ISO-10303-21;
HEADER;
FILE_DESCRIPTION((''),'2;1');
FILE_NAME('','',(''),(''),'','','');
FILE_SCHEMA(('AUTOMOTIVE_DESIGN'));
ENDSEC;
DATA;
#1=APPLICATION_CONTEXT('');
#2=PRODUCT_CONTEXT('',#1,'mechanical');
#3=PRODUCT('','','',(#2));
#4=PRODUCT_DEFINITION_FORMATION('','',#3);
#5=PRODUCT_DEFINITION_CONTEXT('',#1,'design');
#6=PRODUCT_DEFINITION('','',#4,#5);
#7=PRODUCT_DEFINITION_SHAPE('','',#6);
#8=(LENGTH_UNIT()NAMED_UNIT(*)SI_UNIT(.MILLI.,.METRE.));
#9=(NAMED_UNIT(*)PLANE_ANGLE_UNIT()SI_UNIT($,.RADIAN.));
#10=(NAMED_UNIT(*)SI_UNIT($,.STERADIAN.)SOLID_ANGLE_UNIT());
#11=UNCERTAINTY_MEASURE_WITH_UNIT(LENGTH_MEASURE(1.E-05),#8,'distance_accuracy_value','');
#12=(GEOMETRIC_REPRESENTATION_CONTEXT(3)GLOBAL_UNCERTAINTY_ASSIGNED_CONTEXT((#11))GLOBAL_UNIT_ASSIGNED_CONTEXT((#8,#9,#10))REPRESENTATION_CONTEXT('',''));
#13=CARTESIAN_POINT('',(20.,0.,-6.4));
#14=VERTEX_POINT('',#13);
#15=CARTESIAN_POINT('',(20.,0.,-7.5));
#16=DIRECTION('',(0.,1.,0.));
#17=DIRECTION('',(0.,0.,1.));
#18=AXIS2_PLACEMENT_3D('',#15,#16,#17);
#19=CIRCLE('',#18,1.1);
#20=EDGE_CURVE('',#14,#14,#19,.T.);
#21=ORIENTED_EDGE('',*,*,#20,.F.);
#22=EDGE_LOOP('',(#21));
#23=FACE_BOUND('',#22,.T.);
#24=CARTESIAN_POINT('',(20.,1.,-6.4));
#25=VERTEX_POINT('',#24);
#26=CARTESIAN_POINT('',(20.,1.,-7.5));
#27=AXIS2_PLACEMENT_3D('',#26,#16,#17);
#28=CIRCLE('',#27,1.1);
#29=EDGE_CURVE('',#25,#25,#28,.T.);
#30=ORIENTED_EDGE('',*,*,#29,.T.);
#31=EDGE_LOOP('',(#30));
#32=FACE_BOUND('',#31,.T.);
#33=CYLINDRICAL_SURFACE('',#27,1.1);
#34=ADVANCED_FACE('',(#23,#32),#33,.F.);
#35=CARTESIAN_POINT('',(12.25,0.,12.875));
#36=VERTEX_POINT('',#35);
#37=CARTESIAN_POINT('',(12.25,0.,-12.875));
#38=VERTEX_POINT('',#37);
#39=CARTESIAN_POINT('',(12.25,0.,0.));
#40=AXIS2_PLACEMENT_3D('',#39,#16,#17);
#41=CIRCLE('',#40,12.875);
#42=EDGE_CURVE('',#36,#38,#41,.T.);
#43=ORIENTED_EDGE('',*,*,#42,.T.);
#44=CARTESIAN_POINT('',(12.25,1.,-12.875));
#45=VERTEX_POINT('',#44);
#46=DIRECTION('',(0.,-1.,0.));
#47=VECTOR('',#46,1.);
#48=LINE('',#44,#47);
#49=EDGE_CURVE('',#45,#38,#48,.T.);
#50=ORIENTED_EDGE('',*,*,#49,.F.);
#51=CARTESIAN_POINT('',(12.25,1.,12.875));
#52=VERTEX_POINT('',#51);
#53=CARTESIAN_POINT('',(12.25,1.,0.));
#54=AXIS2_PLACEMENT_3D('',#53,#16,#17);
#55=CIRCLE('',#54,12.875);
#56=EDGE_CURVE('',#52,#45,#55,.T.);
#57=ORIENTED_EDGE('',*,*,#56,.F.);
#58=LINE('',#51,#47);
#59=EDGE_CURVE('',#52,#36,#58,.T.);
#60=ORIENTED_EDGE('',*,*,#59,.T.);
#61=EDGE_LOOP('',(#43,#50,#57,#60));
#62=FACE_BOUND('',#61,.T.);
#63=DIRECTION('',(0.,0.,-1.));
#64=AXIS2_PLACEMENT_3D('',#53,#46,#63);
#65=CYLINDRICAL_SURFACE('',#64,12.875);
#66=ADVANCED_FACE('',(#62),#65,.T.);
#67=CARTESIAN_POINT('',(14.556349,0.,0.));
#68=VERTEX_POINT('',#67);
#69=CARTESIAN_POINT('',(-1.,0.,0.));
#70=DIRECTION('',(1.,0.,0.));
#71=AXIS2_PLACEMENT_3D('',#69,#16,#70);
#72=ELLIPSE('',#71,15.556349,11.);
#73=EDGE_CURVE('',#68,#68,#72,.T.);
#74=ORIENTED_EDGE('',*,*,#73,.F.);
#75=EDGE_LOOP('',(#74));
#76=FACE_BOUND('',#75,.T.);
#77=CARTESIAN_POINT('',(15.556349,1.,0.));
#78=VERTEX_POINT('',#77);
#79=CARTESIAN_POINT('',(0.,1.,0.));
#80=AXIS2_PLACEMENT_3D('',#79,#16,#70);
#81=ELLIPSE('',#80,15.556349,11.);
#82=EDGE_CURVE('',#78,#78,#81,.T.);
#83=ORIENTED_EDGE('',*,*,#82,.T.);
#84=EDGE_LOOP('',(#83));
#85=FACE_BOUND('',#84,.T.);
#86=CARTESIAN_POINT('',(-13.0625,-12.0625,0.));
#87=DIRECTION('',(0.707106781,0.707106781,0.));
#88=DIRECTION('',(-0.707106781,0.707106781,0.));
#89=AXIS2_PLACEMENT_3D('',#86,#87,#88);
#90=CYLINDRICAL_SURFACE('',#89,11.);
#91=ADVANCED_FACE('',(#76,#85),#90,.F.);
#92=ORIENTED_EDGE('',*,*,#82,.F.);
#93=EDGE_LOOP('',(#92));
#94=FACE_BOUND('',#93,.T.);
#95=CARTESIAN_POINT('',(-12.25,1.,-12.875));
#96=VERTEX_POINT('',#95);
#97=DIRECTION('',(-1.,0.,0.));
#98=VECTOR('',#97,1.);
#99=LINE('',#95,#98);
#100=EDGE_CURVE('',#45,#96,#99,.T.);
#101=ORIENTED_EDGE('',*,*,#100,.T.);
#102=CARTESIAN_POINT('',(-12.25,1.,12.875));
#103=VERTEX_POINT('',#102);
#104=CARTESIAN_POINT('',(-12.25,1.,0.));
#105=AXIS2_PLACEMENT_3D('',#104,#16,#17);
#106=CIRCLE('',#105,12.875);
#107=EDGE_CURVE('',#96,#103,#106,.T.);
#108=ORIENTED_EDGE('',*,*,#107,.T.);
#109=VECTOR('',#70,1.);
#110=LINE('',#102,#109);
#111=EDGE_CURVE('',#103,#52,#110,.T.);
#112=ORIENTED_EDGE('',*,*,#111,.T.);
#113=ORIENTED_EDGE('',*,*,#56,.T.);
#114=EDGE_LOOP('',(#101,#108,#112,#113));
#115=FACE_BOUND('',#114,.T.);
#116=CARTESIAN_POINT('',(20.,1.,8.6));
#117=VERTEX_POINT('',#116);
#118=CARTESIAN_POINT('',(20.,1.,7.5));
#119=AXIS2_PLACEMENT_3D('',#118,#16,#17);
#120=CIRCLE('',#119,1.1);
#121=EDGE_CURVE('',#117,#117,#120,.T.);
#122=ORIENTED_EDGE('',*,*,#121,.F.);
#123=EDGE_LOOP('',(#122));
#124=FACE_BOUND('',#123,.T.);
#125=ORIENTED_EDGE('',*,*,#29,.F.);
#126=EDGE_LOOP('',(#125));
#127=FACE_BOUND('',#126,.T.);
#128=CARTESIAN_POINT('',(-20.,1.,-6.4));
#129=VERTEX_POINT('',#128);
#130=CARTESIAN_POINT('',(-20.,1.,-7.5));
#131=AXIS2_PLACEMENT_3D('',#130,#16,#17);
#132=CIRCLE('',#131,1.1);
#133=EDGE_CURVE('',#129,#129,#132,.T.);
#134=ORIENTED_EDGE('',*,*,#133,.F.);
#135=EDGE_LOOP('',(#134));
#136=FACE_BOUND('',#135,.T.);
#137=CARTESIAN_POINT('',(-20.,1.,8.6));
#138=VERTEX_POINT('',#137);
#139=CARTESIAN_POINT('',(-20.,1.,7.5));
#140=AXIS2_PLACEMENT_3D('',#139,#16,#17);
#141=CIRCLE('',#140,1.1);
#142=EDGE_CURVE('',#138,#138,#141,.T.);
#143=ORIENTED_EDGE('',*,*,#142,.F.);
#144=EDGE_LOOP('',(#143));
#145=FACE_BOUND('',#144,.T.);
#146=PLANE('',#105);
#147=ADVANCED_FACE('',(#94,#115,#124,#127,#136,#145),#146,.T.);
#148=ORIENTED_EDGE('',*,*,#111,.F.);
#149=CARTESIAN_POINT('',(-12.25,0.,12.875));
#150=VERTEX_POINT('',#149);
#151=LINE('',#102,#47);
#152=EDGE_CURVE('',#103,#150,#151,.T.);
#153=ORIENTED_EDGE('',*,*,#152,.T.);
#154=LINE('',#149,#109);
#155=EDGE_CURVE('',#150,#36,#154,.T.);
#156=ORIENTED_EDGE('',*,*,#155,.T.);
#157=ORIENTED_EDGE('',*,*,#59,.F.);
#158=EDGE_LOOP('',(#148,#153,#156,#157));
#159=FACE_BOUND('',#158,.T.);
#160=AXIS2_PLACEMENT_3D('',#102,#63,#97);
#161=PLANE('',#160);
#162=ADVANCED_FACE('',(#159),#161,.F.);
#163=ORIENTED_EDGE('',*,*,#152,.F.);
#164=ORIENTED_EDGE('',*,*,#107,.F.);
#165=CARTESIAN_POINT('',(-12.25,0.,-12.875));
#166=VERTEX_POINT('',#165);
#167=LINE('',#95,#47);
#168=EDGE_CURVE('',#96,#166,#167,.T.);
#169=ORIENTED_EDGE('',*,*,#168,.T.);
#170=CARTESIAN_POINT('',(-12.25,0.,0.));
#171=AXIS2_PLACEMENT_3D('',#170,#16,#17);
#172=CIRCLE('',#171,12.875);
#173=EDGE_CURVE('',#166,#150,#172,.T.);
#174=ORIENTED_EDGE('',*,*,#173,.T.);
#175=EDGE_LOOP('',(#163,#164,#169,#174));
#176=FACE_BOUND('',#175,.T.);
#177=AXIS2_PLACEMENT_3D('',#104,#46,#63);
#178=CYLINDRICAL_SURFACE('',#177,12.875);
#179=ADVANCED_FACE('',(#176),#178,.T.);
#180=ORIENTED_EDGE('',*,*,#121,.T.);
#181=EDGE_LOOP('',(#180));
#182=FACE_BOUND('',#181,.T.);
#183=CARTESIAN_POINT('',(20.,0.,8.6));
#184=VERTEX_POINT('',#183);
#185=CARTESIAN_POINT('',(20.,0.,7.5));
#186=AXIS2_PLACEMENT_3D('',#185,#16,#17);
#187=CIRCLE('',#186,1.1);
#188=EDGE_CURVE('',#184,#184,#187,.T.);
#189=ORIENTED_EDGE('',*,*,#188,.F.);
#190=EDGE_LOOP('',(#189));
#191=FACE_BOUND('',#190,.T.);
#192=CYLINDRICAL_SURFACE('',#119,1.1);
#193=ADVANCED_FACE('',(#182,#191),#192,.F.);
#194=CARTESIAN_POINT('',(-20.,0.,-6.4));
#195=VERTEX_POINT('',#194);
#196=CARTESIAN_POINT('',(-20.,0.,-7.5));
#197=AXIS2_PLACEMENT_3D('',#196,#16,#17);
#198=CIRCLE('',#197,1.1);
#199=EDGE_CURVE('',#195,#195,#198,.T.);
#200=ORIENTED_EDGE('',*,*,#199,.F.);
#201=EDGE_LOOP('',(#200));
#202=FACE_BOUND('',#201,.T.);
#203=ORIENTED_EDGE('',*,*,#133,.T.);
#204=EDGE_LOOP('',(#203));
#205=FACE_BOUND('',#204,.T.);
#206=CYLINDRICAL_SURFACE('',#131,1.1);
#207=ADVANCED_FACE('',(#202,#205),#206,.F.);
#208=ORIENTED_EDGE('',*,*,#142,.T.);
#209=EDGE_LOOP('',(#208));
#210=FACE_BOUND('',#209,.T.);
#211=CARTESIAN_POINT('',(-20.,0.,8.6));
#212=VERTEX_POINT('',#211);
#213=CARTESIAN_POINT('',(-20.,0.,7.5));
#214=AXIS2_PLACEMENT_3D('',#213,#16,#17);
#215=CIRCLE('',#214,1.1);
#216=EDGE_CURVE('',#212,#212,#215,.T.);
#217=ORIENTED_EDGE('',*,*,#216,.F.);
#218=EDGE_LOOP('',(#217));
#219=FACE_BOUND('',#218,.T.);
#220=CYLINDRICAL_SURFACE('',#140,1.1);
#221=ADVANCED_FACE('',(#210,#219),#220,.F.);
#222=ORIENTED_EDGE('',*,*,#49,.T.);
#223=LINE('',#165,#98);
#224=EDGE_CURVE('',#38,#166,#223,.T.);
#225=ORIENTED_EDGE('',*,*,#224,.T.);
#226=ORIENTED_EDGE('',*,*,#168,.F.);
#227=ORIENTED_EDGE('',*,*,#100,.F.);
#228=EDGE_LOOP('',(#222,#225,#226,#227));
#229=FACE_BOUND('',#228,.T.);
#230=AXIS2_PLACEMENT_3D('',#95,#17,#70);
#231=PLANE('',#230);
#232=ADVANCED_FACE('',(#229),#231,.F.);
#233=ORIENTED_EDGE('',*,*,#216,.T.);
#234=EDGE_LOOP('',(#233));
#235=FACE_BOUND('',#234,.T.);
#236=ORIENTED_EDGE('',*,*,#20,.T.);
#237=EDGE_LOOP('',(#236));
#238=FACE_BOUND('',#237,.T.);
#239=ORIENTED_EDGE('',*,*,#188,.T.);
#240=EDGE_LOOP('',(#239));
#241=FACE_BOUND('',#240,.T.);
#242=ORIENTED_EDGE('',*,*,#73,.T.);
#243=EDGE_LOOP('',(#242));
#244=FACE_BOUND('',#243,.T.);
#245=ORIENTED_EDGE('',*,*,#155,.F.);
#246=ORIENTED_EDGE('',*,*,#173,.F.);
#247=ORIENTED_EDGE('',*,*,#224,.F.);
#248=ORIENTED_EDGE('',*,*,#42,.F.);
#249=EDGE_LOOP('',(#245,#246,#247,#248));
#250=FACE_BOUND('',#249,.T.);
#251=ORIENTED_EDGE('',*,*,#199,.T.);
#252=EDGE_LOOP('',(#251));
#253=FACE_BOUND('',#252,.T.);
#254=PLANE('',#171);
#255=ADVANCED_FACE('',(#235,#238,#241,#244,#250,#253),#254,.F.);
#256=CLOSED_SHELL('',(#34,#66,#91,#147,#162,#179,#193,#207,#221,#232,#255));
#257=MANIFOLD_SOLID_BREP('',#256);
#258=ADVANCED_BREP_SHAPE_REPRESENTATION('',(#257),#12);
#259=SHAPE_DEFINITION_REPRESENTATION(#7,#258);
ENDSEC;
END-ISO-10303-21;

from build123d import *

# Parameters (mm, degrees)
BOSS_EXTRUDE1_DEPTH      = 1
SKETCH2_R                = 11
CUT_EXTRUDE1_DEPTH       = 10.811106589
CUT_EXTRUDE1_DEPTH_BACK  = 27.428115947
M2_CLEARANCE_HOLE1_D     = 2.2
M2_CLEARANCE_HOLE1_DEPTH = 1


with BuildPart() as part:
    # Sketch1 → Boss-Extrude1 (new body)
    with BuildSketch(Plane(origin=(0, 0, 0), x_dir=(1, 0, 0), z_dir=(0, 1, 0))):
        with BuildLine():
            Line((-12.25, 12.875), (12.25, 12.875))
            ThreePointArc((12.25, 12.875), (25.125, 0), (12.25, -12.875))
            Line((12.25, -12.875), (-12.25, -12.875))
            ThreePointArc((-12.25, -12.875), (-25.125, 0), (-12.25, 12.875))
        make_face()
    extrude(amount=BOSS_EXTRUDE1_DEPTH)

    # Sketch2 → Cut-Extrude1 (cut, two sides)
    with BuildSketch(Plane(origin=(6.125, 6.125, 0), x_dir=(0, 0, 1), z_dir=(0.707106781, 0.707106781, 0))) as cut_extrude1_sk:
        with Locations((0, -0.707106781)):
            Circle(SKETCH2_R)
    extrude(amount=CUT_EXTRUDE1_DEPTH, mode=Mode.SUBTRACT)
    extrude(cut_extrude1_sk.sketch, amount=-CUT_EXTRUDE1_DEPTH_BACK, mode=Mode.SUBTRACT)

    # M2 Clearance Hole1
    with Locations(Plane(origin=(0, 1, 0), x_dir=(1, 0, 0), z_dir=(0, 1, 0))):
        with Locations((-20, 7.5), (-20, -7.5), (20, -7.5), (20, 7.5)):
            Hole(M2_CLEARANCE_HOLE1_D / 2, depth=M2_CLEARANCE_HOLE1_DEPTH)


solid = part.part
